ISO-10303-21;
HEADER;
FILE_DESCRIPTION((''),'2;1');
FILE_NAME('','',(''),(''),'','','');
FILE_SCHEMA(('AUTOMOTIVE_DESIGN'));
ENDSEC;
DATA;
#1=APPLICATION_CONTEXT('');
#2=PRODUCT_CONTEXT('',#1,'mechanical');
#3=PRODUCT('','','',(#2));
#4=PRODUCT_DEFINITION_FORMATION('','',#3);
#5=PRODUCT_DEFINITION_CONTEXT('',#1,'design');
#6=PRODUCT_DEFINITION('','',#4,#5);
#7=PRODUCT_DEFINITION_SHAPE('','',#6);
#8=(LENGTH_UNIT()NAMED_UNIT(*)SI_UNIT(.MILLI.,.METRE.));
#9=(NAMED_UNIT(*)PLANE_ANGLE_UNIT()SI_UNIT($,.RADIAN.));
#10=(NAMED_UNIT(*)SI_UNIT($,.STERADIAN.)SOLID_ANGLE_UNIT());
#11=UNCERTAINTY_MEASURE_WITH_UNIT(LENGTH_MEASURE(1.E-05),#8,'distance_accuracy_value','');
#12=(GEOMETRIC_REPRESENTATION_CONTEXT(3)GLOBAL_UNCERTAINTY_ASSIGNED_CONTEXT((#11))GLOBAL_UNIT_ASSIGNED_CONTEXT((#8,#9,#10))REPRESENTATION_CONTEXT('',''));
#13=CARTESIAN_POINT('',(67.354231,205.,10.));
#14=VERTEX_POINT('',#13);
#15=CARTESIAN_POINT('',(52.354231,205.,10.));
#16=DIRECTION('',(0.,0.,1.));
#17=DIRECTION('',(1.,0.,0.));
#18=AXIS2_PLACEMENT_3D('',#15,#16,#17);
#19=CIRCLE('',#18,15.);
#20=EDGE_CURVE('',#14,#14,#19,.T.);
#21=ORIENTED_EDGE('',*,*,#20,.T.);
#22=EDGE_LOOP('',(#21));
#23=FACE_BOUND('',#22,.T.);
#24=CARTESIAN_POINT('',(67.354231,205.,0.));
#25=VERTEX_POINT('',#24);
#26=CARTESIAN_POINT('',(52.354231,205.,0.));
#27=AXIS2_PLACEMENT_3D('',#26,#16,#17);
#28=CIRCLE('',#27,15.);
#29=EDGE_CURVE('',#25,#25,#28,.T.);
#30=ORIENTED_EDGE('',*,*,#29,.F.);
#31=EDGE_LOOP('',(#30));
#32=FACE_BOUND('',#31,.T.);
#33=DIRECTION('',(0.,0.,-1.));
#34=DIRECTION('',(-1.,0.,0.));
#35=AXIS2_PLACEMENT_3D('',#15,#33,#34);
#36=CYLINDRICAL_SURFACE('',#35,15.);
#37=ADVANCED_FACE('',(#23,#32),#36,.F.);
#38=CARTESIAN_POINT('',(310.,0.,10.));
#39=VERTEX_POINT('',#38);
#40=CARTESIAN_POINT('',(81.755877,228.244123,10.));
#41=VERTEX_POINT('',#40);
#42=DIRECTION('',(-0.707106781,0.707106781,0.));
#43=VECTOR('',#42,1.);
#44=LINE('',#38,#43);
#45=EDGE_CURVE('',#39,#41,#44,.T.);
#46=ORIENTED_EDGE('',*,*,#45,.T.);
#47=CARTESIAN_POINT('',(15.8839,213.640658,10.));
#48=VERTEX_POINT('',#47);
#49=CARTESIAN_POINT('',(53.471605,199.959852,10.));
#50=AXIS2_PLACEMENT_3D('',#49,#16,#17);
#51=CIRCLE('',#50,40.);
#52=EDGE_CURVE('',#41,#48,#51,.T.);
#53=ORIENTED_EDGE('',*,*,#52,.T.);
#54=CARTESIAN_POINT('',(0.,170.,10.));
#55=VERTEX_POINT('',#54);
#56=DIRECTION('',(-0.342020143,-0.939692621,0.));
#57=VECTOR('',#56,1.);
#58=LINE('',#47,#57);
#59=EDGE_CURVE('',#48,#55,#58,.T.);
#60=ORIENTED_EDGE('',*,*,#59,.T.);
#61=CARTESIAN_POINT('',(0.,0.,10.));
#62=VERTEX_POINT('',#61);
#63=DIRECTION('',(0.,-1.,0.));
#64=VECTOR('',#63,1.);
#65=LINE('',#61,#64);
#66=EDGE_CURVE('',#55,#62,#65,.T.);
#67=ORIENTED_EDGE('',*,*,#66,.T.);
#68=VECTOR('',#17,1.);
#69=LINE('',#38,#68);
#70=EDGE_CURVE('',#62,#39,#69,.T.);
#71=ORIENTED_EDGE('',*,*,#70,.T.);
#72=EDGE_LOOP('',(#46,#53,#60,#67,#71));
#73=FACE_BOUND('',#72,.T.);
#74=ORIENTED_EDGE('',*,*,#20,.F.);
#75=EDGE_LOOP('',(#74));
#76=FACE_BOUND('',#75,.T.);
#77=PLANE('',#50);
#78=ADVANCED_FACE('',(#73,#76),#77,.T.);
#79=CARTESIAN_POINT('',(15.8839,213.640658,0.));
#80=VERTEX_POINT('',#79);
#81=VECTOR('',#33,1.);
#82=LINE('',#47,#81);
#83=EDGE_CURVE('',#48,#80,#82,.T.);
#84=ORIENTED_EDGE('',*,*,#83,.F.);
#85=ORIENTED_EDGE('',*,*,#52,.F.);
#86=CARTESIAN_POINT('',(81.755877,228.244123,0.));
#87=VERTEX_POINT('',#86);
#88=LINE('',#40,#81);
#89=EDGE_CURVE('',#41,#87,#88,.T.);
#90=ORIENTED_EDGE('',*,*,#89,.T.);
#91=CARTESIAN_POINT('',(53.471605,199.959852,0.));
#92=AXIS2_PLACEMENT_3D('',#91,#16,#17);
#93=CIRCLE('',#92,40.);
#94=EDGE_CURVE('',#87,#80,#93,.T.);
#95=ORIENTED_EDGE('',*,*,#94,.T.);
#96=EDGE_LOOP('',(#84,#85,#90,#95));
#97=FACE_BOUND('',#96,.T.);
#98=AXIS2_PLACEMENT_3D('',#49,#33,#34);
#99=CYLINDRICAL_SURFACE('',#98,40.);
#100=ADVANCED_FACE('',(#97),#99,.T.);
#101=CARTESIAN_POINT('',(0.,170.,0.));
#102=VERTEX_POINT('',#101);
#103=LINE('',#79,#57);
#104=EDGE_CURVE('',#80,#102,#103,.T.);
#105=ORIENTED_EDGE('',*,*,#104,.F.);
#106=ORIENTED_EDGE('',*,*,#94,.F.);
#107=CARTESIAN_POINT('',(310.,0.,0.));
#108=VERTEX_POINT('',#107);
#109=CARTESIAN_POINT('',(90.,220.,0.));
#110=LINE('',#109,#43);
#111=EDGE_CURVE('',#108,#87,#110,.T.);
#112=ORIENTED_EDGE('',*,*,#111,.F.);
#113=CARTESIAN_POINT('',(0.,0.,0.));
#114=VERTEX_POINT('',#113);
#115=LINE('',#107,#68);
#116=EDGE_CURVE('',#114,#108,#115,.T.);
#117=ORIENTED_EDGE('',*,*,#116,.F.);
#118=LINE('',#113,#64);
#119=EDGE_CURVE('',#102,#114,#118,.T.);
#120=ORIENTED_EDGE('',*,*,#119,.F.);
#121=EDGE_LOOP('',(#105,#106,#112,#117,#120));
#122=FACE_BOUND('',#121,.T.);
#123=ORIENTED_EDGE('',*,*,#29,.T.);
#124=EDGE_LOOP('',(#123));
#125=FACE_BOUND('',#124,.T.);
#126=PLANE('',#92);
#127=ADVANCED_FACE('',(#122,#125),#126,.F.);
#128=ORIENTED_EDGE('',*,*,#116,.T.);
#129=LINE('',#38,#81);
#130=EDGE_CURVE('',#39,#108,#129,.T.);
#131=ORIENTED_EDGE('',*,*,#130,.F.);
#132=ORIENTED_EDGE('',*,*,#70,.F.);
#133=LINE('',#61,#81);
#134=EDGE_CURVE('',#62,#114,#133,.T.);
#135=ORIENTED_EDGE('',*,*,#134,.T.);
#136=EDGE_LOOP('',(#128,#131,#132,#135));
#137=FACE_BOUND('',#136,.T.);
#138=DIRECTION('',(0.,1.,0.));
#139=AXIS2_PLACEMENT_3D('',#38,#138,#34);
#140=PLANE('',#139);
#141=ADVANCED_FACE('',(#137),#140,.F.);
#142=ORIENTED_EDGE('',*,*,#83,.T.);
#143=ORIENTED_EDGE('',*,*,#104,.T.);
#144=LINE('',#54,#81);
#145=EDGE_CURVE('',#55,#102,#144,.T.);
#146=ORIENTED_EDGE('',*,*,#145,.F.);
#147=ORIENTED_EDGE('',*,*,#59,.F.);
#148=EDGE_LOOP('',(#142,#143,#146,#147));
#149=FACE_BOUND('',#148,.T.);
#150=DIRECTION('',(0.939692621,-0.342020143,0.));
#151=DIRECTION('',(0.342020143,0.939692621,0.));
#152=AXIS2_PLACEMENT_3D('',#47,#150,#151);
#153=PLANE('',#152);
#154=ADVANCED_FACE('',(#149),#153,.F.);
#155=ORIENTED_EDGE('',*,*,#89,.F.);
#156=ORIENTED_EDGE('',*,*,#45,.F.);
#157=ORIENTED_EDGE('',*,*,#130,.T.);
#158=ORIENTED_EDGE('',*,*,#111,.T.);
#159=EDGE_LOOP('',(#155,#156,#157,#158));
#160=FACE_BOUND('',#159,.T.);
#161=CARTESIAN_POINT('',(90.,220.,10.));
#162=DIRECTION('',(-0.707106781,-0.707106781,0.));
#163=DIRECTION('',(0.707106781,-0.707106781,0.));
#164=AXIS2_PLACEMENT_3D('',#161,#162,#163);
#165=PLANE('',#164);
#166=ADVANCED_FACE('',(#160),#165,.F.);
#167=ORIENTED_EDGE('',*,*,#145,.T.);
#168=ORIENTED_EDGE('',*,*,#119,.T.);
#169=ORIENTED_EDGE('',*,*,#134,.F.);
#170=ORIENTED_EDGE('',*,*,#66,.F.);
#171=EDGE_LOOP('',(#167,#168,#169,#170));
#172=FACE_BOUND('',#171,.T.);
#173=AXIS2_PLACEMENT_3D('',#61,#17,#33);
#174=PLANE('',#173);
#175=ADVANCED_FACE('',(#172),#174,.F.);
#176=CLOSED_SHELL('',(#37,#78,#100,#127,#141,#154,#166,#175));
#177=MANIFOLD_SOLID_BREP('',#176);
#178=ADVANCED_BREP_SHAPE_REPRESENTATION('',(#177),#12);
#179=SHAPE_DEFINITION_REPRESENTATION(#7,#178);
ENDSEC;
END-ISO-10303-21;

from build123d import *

# Parameters (mm, degrees)
ESQUISSE1_R        = 15
BOSS_EXTRU_1_DEPTH = 10


with BuildPart() as part:
    # Esquisse1 → Boss.-Extru.1 (new body)
    with BuildSketch(Plane.XY):
        with BuildLine():
            Line((0, 0), (0, 170))
            Line((0, 170), (15.883900487, 213.64065792))
            ThreePointArc((15.883900487, 213.64065792), (44.814020761, 239.011692472), (81.755876566, 228.244123434))
            Line((81.755876566, 228.244123434), (90, 220))
            Line((90, 220), (140, 170))
            Line((140, 170), (310, 0))
            Line((310, 0), (0, 0))
        make_face()
        with Locations((52.354231449, 205)):
            Circle(ESQUISSE1_R, mode=Mode.SUBTRACT)
    extrude(amount=BOSS_EXTRU_1_DEPTH)


solid = part.part
